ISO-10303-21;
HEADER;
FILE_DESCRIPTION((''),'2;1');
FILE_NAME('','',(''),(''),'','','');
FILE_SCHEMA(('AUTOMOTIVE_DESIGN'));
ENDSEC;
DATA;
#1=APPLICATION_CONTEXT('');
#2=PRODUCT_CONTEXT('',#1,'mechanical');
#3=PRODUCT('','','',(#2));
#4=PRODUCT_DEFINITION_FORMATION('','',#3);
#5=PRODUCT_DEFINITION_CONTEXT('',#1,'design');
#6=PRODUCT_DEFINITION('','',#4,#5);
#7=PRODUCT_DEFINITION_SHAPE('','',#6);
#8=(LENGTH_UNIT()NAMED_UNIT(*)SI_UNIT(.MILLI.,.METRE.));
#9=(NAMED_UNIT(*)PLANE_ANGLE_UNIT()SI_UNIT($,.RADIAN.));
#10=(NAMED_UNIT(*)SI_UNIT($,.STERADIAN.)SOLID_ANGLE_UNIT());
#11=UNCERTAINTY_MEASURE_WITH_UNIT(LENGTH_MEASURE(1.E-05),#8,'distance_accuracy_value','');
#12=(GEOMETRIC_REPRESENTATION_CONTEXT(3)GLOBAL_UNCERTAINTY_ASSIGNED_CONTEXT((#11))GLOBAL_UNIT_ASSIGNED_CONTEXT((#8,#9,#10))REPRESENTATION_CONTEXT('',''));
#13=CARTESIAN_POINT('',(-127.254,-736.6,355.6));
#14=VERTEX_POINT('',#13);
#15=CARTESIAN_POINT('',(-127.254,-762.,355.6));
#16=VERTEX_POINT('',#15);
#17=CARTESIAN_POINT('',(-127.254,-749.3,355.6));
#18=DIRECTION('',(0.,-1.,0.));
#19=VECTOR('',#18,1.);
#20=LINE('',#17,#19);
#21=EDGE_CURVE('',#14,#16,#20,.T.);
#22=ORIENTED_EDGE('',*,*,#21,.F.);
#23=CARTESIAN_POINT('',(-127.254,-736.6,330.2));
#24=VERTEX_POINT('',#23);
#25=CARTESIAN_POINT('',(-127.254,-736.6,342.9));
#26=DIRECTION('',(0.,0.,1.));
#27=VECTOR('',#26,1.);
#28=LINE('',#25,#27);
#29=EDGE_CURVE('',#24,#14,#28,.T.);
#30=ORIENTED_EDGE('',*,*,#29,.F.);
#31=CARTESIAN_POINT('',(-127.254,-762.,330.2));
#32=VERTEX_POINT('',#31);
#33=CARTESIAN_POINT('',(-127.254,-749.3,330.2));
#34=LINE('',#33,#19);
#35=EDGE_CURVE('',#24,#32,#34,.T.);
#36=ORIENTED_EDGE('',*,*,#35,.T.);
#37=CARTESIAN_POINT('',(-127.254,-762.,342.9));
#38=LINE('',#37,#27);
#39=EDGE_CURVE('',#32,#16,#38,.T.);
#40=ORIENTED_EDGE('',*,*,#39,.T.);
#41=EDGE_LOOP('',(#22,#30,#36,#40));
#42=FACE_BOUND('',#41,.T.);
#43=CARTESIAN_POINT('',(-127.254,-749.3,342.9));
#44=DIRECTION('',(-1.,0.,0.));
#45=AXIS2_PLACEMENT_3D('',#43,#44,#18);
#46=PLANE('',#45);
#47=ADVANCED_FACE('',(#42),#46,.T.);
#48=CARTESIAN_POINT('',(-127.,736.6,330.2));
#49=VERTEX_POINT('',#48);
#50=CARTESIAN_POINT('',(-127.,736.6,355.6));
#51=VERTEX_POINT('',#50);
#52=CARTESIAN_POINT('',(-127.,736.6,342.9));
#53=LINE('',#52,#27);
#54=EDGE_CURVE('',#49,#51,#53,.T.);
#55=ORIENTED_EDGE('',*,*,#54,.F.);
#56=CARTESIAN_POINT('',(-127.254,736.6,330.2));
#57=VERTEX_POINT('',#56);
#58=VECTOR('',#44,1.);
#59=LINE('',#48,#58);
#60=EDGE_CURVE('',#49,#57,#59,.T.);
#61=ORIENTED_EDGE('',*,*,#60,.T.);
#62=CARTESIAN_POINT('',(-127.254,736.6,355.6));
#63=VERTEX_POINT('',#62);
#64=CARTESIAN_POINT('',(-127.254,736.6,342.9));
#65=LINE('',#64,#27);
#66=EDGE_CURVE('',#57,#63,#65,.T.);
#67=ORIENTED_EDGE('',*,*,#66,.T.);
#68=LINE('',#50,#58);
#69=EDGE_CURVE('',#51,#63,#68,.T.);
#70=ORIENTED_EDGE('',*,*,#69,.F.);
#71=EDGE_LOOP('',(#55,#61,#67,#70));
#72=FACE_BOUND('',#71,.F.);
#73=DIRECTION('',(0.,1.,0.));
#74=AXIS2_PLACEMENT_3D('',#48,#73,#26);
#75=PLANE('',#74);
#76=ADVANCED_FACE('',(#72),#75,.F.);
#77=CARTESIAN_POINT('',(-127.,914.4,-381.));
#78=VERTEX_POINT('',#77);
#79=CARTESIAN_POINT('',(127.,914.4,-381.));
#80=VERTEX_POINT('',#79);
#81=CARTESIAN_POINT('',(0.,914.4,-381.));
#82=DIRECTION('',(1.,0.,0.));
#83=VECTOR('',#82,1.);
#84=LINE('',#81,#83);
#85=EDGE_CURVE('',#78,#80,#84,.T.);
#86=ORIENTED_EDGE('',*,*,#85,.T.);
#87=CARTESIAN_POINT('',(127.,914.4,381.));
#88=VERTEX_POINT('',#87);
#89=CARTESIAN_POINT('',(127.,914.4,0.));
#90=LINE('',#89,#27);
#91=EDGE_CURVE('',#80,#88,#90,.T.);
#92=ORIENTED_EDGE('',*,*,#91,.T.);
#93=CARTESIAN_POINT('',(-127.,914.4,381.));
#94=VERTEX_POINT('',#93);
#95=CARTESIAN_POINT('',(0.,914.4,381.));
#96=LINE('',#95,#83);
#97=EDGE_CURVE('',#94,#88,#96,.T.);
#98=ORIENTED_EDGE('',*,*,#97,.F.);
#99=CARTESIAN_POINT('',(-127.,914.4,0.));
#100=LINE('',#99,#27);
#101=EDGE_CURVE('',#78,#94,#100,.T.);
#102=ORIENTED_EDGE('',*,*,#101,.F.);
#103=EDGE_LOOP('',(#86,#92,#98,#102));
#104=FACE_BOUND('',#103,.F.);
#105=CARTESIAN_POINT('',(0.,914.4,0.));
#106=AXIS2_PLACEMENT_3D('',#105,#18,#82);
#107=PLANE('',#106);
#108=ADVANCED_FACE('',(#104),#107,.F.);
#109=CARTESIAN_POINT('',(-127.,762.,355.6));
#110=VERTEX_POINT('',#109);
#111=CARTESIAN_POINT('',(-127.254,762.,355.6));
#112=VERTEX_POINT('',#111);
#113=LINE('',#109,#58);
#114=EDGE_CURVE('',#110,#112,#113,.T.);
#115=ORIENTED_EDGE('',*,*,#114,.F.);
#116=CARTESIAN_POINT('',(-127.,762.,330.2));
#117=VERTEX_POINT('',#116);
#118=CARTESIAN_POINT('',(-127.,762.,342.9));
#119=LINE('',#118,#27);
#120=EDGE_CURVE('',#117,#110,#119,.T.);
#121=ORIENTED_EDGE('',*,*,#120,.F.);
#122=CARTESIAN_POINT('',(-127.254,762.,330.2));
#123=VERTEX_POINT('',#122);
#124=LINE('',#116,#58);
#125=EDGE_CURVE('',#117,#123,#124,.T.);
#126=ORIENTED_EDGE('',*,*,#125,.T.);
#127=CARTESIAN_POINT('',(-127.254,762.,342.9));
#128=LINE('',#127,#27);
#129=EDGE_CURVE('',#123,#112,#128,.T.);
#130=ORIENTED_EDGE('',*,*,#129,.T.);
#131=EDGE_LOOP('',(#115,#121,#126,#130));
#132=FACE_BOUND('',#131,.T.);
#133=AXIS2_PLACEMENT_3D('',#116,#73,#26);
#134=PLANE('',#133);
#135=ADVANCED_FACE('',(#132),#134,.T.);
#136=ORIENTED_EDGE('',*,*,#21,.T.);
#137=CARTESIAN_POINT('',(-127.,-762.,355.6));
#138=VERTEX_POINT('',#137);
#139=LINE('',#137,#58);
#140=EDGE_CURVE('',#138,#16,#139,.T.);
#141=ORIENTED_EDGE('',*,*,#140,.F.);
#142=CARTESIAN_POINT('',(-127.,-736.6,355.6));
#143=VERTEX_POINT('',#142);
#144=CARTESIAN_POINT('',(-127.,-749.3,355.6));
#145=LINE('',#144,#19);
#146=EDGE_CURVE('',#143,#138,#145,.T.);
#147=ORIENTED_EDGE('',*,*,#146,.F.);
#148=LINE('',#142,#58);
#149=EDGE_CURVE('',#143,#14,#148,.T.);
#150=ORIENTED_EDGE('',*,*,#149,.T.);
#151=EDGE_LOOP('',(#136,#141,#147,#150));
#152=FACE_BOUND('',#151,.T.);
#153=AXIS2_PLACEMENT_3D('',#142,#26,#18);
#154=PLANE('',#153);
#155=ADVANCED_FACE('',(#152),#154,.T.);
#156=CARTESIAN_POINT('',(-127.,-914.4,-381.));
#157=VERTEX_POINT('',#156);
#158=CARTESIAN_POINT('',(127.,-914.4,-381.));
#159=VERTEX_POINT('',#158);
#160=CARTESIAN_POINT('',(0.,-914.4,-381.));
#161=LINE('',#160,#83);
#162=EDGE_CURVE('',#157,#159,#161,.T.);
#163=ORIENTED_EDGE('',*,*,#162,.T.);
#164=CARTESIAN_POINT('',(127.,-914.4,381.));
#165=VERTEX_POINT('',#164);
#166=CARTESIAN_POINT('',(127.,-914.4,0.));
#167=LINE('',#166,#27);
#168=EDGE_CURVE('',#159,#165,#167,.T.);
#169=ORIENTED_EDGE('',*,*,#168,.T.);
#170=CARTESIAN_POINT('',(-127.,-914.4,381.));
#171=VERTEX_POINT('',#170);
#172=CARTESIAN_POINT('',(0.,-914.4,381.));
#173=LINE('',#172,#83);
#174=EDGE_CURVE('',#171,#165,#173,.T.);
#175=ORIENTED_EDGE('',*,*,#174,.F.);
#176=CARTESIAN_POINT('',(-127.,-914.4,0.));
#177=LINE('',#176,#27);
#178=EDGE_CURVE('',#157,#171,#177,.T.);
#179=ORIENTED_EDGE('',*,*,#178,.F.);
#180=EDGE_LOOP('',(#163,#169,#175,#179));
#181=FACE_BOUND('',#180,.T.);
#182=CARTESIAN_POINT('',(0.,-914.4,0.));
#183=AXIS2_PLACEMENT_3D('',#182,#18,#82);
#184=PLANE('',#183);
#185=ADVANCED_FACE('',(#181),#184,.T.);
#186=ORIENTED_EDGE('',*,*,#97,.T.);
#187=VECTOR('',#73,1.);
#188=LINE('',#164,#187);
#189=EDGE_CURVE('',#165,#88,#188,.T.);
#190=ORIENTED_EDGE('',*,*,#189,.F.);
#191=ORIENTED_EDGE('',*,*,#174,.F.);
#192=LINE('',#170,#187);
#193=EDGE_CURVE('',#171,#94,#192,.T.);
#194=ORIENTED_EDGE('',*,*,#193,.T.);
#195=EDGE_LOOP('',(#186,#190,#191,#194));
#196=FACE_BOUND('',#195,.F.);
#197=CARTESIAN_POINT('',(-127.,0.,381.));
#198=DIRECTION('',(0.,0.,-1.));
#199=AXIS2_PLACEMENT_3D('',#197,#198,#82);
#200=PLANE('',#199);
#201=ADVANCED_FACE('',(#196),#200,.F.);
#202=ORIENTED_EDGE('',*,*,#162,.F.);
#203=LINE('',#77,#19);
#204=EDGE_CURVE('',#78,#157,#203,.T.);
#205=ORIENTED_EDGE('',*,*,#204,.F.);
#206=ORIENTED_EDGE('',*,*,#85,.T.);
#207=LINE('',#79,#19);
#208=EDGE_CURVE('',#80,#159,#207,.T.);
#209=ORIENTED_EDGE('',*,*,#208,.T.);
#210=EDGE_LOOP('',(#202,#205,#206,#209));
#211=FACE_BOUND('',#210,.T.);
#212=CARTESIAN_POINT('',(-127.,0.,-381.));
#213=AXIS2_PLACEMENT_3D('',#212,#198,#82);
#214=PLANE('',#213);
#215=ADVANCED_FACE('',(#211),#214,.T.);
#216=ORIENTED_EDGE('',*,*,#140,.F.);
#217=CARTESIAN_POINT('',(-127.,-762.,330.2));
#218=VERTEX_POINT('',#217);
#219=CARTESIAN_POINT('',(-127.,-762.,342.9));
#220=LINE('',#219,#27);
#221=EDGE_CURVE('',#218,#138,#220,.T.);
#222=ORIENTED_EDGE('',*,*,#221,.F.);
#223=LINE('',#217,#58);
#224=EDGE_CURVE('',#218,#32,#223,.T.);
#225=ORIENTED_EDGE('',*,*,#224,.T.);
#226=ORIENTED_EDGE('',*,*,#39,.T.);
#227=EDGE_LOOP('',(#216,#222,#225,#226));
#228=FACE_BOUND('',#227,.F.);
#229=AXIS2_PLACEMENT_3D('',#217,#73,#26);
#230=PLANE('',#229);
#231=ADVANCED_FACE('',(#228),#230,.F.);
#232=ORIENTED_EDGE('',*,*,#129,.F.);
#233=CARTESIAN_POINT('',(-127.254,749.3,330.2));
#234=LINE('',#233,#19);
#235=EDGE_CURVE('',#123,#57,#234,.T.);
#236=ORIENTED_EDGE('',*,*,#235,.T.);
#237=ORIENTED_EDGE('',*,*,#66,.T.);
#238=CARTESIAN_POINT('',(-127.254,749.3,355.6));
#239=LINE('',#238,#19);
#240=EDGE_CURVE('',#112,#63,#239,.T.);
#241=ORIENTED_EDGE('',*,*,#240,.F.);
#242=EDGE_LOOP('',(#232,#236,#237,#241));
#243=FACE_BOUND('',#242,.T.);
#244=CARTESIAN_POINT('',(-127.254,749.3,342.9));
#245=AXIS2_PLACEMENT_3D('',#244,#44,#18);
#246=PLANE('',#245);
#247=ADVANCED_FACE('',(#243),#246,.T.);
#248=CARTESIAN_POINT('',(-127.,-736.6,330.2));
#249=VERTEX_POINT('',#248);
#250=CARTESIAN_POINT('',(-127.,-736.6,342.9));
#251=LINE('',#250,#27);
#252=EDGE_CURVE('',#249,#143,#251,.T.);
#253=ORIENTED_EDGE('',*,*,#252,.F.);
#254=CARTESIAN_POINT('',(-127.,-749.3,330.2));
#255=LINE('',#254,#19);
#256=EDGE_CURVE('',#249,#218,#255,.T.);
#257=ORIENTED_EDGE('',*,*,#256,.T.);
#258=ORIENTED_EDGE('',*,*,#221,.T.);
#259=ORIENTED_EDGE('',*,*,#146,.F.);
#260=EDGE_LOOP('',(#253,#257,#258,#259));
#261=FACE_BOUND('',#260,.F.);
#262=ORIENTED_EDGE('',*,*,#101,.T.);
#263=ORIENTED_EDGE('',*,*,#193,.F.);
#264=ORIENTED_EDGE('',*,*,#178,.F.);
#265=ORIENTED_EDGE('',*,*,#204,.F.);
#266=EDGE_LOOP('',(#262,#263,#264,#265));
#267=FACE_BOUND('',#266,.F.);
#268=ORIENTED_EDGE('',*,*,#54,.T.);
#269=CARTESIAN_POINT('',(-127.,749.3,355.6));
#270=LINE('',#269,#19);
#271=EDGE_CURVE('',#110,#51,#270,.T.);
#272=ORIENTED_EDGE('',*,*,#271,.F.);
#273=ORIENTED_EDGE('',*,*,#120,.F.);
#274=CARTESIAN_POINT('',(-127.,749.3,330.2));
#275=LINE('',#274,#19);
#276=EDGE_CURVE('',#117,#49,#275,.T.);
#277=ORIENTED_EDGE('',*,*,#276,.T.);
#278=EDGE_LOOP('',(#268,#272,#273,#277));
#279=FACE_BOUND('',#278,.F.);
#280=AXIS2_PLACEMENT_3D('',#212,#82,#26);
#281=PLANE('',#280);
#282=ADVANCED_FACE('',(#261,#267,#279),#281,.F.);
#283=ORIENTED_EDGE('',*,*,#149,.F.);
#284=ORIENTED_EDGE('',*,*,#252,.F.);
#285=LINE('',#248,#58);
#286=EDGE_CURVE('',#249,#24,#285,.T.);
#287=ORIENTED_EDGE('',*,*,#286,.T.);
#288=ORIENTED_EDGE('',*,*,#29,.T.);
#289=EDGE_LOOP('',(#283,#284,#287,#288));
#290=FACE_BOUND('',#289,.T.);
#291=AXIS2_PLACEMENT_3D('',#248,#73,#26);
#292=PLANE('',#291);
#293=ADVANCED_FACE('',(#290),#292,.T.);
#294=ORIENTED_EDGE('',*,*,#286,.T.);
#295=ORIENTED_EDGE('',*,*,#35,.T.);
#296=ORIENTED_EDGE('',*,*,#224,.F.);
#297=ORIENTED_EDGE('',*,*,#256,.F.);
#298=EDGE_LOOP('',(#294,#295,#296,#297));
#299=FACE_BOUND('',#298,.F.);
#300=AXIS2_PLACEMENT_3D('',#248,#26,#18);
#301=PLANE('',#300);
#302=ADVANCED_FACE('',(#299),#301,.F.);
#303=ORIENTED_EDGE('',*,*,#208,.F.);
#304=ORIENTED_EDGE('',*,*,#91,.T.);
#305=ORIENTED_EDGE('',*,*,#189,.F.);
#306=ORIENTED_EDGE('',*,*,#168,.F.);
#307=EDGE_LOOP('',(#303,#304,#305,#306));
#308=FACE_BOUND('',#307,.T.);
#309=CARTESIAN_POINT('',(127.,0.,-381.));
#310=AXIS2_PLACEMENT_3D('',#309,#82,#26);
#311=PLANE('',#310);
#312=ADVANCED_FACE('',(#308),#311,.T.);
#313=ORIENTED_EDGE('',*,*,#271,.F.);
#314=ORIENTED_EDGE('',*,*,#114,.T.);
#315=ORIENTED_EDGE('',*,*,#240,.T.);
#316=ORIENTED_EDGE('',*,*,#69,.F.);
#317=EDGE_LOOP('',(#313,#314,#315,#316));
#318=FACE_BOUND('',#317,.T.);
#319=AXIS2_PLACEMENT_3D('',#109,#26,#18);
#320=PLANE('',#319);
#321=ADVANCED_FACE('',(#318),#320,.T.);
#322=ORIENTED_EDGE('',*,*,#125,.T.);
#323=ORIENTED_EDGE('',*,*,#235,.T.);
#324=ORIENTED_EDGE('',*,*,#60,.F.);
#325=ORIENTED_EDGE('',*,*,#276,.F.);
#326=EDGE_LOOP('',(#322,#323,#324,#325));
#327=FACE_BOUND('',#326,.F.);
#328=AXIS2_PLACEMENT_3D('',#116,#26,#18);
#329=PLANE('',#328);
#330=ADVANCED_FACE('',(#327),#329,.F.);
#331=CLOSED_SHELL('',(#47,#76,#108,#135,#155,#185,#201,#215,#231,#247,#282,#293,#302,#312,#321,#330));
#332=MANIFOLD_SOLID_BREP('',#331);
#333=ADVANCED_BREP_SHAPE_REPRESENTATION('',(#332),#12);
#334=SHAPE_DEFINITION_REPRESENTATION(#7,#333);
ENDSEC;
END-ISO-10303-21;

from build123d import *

# Parameters (mm, degrees)
F0_W     = 254
F0_H     = 762
F1_DEPTH = 914.4
F2_W     = 25.4
F2_H     = 25.4
F3_DEPTH = 0.254


with BuildPart() as f1:
    # F0 (on Front) → F1 (new body, symmetric)
    with BuildSketch(Plane.XZ):
        Rectangle(F0_W, F0_H)
    extrude(amount=F1_DEPTH, both=True)

    # F2 (on face) → F3 (join)
    with BuildSketch(Plane(origin=(-127, 0, 0), x_dir=(0, -1, 0), z_dir=(-1, 0, 0))):
        with Locations((749.3, 342.9)):
            Rectangle(F2_W, F2_H)
        with Locations((-749.3, 342.9)):
            Rectangle(F2_W, F2_H)
    extrude(amount=F3_DEPTH)


solid = f1.part
